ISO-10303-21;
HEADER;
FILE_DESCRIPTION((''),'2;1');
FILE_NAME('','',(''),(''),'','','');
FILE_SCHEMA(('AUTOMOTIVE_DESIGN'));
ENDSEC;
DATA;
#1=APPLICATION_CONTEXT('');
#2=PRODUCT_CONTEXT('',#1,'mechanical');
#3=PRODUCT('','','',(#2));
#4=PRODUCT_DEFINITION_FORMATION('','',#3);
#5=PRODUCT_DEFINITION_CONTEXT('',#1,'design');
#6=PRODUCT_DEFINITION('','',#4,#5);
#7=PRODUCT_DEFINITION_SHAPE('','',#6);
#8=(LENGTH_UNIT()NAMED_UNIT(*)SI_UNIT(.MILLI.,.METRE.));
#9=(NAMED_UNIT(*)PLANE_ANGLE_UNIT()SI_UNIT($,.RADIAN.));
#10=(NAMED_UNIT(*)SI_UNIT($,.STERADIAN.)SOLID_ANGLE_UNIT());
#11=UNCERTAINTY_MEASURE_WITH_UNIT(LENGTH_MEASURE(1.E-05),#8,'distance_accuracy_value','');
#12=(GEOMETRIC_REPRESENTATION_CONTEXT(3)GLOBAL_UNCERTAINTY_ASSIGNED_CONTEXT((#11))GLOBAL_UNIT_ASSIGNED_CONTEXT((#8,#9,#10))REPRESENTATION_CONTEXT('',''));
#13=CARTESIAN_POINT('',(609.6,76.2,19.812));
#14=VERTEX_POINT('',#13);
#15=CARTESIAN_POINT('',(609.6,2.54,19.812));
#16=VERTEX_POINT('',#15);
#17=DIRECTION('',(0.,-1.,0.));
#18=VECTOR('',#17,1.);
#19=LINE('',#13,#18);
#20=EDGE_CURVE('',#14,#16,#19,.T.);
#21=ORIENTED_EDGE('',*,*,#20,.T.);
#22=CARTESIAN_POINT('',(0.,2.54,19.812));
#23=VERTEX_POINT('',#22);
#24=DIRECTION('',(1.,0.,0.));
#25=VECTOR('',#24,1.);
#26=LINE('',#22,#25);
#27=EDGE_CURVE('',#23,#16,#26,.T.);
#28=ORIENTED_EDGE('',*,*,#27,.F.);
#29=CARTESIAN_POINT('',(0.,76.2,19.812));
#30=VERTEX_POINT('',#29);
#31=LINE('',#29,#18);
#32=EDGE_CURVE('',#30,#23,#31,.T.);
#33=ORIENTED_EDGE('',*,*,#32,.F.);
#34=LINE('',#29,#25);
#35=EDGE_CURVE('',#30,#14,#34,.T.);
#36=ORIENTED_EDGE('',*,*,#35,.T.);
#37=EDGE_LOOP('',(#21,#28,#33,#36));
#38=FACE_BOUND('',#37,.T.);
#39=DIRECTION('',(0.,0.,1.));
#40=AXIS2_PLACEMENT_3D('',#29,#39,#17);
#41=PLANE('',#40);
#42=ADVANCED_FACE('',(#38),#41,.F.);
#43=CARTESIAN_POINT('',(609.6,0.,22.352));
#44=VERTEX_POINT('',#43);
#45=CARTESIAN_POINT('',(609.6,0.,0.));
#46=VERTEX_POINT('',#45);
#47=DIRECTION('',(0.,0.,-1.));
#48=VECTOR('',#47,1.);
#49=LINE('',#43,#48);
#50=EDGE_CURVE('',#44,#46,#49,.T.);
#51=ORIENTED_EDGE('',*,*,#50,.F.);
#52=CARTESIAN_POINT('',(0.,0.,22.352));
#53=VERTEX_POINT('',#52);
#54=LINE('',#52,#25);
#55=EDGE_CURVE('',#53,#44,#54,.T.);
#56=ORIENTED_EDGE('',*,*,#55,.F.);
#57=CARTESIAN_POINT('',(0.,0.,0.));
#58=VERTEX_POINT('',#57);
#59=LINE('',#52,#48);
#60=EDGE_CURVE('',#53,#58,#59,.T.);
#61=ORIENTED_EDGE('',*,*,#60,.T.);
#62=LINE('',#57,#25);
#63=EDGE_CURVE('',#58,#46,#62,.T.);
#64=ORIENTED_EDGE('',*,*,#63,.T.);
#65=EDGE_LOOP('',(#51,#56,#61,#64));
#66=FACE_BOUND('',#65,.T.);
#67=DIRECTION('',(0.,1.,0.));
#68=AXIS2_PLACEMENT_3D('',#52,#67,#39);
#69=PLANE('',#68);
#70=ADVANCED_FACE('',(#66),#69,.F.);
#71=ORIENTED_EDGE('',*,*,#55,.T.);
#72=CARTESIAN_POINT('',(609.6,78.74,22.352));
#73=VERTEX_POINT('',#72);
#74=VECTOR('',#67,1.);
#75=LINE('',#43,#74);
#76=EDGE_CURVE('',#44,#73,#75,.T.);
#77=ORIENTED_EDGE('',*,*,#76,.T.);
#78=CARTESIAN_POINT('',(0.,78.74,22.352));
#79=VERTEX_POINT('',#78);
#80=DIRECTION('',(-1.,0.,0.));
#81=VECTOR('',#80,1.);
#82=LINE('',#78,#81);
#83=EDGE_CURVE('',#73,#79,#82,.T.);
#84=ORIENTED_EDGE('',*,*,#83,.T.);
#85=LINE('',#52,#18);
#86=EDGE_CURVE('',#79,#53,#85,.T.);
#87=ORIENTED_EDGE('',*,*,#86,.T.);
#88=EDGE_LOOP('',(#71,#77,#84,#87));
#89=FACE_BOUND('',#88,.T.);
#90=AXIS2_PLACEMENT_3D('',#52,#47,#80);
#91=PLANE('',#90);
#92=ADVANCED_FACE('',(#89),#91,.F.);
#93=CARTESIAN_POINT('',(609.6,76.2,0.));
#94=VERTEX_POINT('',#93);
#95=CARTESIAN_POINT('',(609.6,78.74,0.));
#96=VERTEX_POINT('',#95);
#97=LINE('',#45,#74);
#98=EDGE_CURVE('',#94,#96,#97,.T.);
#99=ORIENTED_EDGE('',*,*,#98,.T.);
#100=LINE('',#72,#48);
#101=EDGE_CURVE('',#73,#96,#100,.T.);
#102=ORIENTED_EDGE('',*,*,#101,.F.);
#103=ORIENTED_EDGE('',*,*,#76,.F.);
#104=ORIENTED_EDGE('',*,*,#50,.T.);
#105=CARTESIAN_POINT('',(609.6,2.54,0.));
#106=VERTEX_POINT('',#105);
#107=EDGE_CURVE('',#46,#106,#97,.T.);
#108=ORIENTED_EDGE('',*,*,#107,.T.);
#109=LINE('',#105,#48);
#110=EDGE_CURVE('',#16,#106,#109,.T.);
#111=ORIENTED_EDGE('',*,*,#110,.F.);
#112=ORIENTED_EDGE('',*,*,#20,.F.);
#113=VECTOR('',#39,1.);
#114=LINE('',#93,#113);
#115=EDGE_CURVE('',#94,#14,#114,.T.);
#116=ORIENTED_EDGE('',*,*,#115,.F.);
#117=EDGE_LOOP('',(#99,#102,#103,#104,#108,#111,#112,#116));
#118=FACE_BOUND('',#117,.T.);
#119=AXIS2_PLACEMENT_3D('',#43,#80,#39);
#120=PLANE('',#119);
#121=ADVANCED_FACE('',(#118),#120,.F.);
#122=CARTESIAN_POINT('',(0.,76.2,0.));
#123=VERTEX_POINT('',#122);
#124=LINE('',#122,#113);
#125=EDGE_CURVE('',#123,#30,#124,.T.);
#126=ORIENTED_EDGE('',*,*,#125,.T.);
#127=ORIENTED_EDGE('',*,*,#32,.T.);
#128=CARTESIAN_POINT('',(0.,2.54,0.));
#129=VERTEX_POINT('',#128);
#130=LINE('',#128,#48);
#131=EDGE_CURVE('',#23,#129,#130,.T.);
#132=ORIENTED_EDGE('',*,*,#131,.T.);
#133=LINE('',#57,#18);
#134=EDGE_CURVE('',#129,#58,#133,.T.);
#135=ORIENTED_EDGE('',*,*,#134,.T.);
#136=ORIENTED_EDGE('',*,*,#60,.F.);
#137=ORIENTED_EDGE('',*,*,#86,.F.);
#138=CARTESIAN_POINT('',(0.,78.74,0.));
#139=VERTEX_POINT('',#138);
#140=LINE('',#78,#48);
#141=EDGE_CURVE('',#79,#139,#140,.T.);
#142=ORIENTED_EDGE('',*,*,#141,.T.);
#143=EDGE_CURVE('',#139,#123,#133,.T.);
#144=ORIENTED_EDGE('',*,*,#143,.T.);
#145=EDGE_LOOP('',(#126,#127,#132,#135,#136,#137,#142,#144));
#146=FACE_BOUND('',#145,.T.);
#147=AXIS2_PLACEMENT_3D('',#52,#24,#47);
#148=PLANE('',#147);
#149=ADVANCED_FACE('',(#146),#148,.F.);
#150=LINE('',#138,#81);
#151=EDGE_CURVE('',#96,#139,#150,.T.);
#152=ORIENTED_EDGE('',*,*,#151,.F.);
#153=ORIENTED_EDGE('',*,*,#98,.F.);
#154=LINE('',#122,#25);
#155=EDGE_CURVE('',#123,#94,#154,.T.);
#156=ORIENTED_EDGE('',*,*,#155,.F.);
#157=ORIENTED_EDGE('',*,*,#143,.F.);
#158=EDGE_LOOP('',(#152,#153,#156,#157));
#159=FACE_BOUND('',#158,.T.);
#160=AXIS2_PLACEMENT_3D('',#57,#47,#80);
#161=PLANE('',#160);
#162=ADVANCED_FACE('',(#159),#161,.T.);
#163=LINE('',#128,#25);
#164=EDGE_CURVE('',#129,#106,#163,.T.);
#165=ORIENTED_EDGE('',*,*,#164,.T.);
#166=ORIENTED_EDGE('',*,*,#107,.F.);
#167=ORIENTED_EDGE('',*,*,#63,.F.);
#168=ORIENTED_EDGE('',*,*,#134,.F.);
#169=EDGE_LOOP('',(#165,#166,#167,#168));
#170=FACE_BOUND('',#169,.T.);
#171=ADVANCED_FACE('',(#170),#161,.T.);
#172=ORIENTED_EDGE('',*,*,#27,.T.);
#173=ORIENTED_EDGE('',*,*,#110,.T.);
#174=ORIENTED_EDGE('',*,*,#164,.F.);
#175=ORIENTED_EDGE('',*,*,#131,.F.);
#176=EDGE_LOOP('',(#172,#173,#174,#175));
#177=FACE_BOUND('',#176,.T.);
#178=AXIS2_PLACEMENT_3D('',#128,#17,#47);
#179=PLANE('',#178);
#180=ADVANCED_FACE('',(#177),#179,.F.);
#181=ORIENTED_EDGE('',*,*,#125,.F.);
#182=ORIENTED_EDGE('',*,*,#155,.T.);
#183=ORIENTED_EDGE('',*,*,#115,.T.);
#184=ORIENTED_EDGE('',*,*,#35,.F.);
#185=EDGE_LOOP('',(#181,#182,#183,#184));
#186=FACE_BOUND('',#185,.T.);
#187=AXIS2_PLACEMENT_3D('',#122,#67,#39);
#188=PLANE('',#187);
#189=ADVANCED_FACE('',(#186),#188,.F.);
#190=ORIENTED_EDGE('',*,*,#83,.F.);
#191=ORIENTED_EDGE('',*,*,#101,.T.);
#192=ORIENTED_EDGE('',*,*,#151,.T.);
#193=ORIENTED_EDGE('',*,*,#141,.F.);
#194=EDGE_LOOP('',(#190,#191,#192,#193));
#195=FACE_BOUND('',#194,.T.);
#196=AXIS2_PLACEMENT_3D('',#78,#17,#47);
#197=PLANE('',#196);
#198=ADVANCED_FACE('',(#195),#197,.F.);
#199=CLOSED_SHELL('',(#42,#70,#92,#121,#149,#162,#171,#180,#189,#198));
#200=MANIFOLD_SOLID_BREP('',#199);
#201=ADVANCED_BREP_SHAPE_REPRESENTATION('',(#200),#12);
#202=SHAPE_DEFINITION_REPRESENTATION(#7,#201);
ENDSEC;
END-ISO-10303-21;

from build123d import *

# Parameters (mm, degrees)
SKETCH2_W           = 609.6
SKETCH2_H           = 78.74
BOSS_EXTRUDE1_DEPTH = 22.352
SKETCH3_W           = 19.812
SKETCH3_H           = 73.66
CUT_EXTRUDE1_DEPTH  = 616.070532138


with BuildPart() as part:
    # Sketch2 → Boss-Extrude1 (new body)
    with BuildSketch(Plane.XY):
        with Locations((304.8, 39.37)):
            Rectangle(SKETCH2_W, SKETCH2_H)
    extrude(amount=BOSS_EXTRUDE1_DEPTH)

    # Sketch3 → Cut-Extrude1 (cut, through all)
    with BuildSketch(Plane(origin=(609.6, 0, 0), x_dir=(0, 0, -1), z_dir=(1, 0, 0))):
        with Locations((-9.906, 39.37)):
            Rectangle(SKETCH3_W, SKETCH3_H)
    extrude(amount=-CUT_EXTRUDE1_DEPTH, mode=Mode.SUBTRACT)


solid = part.part
